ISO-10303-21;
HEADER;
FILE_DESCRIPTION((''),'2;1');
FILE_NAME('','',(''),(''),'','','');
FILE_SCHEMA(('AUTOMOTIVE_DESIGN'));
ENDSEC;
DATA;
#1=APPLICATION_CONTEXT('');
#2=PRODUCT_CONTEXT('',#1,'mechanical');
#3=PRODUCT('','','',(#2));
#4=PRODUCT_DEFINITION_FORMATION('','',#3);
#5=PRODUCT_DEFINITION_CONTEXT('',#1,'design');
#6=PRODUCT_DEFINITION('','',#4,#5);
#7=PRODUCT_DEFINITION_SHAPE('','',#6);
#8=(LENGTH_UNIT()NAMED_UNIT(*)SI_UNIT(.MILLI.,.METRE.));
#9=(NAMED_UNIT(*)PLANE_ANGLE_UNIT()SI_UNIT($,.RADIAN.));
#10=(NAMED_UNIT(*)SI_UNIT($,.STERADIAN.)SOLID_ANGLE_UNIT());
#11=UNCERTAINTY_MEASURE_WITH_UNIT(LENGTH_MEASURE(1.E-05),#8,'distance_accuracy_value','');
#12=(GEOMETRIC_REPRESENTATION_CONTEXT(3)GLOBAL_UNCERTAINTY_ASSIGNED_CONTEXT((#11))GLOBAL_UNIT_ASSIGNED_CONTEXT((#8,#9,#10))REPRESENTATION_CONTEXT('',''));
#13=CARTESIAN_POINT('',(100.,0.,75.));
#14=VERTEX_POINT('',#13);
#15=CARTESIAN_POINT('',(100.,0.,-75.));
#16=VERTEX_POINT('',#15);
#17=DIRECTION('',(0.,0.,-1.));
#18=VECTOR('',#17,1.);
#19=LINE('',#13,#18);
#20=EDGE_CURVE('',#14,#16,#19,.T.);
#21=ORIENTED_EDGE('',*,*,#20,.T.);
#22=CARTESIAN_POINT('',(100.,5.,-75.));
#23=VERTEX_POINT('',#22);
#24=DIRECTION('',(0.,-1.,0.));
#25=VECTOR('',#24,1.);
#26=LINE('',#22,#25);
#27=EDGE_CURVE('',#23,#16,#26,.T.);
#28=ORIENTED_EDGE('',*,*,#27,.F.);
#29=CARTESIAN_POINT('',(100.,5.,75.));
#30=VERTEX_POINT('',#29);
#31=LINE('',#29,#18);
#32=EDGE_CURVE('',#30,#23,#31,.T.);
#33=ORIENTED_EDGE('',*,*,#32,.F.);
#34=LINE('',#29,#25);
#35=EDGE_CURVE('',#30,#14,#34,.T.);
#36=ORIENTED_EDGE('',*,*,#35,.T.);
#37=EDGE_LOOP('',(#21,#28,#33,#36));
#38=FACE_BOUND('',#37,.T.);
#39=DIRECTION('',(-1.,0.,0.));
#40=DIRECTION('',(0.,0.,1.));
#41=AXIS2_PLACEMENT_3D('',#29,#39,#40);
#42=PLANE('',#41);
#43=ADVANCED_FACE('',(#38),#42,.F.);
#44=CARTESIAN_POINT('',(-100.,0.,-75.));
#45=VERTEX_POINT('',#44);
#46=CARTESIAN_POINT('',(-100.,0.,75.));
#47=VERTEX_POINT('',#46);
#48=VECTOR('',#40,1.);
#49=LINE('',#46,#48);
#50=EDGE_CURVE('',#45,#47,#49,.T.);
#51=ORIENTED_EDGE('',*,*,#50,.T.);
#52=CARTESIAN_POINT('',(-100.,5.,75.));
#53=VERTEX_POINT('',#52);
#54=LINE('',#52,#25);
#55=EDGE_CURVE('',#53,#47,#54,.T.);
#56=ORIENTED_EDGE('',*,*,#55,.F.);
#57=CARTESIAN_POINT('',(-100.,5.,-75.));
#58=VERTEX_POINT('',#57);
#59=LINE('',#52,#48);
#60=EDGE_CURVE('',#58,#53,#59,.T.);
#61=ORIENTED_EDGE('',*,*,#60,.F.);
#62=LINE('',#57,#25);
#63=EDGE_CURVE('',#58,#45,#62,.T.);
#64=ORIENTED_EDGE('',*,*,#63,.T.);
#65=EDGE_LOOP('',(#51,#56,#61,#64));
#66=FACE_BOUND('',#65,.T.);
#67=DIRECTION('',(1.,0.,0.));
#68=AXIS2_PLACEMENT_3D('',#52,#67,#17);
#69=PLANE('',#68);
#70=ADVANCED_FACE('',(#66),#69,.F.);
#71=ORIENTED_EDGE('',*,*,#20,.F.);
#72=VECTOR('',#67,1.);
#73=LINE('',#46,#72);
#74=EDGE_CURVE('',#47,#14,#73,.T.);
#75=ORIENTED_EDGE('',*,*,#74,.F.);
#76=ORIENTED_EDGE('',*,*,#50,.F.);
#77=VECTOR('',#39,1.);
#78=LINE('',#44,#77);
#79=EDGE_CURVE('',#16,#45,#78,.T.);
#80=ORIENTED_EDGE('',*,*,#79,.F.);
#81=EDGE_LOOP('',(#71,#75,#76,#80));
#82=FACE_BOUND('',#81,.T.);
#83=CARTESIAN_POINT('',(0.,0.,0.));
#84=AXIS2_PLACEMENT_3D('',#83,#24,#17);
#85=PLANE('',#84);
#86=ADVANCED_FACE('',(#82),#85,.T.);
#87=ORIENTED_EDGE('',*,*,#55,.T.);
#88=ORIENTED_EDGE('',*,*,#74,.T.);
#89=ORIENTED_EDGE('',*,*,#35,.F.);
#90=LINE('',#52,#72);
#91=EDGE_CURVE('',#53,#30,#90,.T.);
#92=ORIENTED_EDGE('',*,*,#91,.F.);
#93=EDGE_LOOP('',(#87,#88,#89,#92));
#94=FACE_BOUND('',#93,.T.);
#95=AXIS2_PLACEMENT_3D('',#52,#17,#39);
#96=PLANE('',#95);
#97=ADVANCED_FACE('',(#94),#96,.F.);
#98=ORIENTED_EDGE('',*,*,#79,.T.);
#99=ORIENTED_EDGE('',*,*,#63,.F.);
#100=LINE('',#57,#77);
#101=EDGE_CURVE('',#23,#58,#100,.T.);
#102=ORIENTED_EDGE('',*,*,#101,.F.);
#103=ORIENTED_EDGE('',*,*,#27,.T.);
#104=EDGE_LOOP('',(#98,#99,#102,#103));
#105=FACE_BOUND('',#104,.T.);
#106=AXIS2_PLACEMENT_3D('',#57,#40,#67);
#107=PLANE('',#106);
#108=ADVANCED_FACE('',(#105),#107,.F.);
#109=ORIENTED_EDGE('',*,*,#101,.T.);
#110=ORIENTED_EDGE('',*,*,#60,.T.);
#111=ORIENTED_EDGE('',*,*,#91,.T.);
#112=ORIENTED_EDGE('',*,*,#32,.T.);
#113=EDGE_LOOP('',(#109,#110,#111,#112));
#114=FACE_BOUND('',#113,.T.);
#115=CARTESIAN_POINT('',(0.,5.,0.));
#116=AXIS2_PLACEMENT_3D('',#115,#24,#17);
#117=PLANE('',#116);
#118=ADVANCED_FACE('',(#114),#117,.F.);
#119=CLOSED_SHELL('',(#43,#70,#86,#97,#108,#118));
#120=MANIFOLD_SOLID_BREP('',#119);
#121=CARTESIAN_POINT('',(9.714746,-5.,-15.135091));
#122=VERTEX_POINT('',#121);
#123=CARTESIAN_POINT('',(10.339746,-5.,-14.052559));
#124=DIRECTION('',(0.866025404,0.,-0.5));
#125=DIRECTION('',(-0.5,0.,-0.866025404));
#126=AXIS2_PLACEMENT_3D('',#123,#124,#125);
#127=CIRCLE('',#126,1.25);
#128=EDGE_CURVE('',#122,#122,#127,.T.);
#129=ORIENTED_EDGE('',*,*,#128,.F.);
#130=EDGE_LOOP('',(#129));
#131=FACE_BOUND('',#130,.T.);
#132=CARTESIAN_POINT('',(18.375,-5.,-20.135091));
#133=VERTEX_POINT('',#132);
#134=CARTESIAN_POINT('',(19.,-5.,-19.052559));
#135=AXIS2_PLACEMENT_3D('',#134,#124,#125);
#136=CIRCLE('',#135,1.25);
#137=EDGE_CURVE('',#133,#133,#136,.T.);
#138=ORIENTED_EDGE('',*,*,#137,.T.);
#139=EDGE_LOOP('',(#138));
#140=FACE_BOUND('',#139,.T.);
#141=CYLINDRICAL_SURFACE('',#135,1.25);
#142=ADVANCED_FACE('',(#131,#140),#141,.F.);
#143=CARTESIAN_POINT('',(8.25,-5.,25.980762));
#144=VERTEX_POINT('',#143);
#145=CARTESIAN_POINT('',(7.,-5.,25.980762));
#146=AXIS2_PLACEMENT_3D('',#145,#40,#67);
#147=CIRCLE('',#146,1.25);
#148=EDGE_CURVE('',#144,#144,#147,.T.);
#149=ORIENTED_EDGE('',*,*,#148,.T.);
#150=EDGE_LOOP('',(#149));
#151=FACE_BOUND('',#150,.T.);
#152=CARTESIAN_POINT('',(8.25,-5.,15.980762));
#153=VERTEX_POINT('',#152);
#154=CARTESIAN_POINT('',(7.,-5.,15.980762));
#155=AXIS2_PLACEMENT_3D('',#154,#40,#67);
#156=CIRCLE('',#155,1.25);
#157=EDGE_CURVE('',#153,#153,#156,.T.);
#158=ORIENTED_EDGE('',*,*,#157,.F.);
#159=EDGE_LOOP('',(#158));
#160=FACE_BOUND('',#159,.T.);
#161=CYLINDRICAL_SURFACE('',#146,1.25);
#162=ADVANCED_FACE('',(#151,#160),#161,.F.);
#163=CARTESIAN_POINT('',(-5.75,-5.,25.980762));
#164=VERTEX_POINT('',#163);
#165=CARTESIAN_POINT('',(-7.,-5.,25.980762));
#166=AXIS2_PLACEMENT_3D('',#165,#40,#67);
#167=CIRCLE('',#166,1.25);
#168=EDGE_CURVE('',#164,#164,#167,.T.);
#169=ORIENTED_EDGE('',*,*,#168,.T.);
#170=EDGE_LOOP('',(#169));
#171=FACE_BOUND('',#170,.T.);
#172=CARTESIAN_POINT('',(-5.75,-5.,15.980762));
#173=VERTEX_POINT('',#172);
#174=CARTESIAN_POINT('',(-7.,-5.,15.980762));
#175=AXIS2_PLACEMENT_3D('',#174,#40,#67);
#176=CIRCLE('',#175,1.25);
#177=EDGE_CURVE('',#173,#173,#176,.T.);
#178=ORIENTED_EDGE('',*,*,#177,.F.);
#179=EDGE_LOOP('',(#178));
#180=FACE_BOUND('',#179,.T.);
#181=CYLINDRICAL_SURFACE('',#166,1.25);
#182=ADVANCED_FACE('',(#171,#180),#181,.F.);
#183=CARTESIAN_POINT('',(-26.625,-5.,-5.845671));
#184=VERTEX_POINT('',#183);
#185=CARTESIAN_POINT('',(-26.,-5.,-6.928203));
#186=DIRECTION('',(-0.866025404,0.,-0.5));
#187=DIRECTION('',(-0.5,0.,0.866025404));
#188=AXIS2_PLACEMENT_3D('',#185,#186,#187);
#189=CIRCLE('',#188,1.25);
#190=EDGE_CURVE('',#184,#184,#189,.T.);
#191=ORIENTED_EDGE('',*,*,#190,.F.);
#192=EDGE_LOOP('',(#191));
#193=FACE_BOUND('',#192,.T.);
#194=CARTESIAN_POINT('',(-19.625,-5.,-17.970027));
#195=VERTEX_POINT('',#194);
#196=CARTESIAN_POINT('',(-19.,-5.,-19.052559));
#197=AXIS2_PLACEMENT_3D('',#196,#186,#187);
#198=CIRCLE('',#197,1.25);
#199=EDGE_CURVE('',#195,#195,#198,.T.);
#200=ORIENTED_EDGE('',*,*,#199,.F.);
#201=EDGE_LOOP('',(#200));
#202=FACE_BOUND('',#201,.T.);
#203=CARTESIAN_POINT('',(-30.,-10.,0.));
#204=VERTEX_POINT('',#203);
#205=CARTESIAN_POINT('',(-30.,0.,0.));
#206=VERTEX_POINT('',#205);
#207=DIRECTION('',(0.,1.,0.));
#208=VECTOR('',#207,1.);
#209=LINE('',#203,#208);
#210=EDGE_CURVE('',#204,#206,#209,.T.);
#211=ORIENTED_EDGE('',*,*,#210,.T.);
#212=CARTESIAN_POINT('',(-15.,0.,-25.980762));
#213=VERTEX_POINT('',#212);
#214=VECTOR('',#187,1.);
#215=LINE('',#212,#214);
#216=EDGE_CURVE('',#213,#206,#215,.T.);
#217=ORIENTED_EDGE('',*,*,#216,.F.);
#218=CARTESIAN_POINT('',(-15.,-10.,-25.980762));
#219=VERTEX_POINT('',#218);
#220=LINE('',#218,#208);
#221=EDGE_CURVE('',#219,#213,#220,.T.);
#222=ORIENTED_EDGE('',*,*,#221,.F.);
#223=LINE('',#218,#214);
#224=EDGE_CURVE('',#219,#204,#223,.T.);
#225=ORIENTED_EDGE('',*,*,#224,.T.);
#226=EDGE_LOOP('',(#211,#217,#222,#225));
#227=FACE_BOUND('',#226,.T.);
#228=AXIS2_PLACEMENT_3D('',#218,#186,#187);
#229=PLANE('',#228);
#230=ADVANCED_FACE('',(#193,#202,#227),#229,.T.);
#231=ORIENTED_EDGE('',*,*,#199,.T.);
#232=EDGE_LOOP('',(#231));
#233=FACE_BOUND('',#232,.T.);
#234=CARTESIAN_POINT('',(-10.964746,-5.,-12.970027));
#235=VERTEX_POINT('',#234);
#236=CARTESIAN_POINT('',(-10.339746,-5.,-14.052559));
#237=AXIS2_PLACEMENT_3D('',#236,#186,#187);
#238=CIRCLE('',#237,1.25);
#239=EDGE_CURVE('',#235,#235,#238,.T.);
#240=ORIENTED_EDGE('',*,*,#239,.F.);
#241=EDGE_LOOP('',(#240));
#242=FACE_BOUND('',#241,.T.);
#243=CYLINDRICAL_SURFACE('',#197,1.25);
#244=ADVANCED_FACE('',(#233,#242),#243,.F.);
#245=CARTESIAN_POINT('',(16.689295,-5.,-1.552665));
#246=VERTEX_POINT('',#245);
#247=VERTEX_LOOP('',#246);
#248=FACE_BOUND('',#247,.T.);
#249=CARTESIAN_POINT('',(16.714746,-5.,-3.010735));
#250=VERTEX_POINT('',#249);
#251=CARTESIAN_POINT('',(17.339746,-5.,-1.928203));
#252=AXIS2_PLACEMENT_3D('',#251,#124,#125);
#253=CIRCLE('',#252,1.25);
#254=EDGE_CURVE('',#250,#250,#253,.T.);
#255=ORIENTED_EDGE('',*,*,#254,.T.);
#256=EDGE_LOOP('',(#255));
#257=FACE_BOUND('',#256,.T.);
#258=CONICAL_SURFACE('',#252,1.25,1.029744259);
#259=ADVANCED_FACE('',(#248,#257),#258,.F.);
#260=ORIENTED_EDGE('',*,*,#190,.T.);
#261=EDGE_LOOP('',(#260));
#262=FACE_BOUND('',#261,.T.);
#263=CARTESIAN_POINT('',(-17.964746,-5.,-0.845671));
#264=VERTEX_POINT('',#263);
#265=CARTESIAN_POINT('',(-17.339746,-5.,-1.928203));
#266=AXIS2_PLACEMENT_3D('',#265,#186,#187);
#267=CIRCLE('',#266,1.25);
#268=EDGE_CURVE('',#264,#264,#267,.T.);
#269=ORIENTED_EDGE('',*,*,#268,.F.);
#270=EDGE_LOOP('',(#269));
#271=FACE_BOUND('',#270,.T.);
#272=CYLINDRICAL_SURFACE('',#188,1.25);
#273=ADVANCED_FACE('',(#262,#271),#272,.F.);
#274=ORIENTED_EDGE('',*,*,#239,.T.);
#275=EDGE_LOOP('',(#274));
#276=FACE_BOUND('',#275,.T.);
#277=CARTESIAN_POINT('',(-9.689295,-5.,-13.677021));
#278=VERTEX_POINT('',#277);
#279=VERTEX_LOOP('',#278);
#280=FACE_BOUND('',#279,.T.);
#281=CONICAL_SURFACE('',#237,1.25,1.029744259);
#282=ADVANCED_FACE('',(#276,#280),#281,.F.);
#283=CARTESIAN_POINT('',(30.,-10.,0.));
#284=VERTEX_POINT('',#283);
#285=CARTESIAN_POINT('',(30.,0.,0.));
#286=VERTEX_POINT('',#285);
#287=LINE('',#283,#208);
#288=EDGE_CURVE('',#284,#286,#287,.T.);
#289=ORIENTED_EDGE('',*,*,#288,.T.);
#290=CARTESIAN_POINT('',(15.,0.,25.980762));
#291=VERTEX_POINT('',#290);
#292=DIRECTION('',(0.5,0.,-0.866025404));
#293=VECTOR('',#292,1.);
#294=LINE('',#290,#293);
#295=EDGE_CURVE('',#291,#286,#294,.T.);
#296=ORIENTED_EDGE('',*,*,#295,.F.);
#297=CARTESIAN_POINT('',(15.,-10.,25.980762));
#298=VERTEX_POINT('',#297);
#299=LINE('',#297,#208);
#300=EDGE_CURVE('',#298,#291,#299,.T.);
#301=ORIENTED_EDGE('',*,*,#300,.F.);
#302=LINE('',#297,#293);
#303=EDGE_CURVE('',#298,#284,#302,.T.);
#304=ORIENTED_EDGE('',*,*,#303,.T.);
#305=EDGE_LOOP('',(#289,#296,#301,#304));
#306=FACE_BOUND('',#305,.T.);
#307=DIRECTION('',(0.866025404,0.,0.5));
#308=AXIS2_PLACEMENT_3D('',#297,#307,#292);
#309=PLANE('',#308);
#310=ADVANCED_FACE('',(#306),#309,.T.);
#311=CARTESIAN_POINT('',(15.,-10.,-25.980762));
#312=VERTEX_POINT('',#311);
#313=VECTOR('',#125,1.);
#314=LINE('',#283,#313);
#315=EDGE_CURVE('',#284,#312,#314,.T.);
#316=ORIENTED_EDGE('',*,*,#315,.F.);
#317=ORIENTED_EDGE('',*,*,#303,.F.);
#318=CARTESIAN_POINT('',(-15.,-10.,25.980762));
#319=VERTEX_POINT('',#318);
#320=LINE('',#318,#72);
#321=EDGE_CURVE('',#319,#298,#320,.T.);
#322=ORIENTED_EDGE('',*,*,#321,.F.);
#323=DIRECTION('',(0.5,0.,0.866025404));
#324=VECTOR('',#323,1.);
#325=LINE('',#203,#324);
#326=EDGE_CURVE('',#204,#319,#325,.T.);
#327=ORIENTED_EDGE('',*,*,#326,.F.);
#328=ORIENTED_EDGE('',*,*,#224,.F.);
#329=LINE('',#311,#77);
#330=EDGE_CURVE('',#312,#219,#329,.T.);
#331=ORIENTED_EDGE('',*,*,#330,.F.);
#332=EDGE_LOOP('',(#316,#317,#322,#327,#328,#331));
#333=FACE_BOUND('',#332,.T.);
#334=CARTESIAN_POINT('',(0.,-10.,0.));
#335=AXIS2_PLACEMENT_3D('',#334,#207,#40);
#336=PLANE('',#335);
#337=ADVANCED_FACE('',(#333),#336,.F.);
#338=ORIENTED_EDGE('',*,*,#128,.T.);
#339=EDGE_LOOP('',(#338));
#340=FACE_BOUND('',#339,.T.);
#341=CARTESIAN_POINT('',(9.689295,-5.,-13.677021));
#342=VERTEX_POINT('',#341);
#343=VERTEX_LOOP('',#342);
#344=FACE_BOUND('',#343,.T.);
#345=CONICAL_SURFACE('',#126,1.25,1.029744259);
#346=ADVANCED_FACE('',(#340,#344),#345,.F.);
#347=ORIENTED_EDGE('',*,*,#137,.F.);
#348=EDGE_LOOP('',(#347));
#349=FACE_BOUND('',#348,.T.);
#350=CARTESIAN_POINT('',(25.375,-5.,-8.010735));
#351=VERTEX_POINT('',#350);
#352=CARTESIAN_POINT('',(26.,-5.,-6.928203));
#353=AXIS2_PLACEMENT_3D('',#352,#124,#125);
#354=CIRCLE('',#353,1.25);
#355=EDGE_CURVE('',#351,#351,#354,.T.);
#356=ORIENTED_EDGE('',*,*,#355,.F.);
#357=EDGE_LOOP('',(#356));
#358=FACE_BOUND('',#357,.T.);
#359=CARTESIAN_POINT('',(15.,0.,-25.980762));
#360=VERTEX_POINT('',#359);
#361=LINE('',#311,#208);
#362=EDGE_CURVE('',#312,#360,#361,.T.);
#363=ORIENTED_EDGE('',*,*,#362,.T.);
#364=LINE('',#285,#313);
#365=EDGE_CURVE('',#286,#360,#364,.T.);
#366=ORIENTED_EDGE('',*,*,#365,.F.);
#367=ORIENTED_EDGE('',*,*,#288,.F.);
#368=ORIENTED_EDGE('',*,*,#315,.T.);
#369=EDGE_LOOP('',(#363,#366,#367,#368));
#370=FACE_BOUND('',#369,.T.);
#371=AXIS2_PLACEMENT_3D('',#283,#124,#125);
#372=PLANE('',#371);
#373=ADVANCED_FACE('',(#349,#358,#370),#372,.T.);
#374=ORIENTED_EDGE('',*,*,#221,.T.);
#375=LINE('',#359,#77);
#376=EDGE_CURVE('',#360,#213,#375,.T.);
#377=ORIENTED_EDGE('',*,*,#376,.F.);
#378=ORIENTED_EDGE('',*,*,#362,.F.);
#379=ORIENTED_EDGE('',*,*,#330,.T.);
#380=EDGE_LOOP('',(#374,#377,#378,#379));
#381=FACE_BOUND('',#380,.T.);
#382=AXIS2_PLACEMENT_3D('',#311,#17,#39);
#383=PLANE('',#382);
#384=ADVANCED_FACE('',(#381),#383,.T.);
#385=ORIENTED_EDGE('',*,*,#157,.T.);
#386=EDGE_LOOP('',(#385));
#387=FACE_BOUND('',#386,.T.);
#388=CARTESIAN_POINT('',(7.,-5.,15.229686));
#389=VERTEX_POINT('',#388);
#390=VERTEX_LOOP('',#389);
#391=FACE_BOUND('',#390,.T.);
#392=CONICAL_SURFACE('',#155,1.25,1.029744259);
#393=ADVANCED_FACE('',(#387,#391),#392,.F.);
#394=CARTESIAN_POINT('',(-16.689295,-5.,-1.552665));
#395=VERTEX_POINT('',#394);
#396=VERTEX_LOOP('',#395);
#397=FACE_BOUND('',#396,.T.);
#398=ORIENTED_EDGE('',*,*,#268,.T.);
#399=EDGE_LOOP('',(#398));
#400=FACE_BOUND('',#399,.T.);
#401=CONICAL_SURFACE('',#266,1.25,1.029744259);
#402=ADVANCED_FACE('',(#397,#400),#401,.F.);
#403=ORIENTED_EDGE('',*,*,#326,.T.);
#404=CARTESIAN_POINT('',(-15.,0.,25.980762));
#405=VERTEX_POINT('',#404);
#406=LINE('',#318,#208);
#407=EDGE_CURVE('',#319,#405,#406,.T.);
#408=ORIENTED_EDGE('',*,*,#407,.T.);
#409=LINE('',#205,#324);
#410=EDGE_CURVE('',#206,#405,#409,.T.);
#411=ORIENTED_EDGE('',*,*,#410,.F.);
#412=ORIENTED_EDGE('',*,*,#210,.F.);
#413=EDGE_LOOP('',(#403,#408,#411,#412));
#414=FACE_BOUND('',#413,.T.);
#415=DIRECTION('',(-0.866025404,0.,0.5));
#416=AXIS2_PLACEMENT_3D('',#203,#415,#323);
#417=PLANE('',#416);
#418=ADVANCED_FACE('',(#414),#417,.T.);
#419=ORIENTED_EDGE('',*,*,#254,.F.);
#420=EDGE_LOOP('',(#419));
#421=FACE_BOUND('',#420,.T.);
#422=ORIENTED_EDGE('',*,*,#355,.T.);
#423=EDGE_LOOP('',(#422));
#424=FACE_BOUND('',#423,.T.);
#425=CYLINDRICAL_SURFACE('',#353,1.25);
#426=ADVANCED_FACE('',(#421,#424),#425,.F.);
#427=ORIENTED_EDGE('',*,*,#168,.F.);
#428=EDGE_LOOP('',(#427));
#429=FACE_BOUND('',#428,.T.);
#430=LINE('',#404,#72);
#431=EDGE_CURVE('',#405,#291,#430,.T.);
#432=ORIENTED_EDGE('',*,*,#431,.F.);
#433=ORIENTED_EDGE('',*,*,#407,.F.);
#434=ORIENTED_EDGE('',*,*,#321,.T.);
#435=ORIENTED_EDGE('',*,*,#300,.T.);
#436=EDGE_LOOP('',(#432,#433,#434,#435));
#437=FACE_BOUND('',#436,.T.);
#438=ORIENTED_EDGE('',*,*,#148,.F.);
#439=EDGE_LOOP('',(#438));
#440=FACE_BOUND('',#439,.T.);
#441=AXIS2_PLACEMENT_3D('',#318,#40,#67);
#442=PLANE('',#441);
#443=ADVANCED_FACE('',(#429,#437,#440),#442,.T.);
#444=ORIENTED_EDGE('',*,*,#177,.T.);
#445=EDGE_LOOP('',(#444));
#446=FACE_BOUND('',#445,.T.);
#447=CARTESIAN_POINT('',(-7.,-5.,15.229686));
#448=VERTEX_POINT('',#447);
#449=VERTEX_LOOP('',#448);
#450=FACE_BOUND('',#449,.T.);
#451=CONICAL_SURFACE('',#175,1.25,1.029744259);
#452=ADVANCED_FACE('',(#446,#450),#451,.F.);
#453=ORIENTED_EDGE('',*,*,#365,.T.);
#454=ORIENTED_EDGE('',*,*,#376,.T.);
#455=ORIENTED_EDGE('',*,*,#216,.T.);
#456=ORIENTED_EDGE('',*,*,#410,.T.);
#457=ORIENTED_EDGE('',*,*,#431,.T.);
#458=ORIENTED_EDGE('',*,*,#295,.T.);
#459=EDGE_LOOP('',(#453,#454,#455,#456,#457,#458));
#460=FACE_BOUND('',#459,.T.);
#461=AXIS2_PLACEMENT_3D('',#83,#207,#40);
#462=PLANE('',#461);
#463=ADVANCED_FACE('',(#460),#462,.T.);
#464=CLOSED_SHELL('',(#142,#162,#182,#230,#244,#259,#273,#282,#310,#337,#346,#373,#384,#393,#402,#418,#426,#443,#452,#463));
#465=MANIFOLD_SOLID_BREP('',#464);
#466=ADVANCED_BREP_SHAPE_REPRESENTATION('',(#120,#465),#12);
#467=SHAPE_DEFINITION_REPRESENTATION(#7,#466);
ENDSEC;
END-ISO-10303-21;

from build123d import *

# Parameters (mm, degrees)
SKETCH1_W                      = 200
SKETCH1_H                      = 150
BOSS_EXTRUDE1_DEPTH            = 5
BOSS_EXTRUDE2_DEPTH            = 10
M3X0_5_TAPPED_HOLE1_AT_2_COUNT = 2
M3X0_5_TAPPED_HOLE1_AT_2_PITCH = 14
CIRPATTERN1_COUNT              = 3


with BuildPart() as part:
    # Sketch1 → Boss-Extrude1 (new body)
    with BuildSketch(Plane(origin=(0, 0, 0), x_dir=(1, 0, 0), z_dir=(0, 1, 0))):
        Rectangle(SKETCH1_W, SKETCH1_H)
    extrude(amount=BOSS_EXTRUDE1_DEPTH)


with BuildPart() as body_2:
    # Sketch2 → Boss-Extrude2 (new body)
    with BuildSketch(Plane(origin=(0, 0, 0), x_dir=(1, 0, 0), z_dir=(0, 1, 0))):
        Polygon((-30, 0), (-15, -25.980762114), (15, -25.980762114), (30, 0), (15, 25.980762114), (-15, 25.980762114), align=None)
    extrude(amount=-BOSS_EXTRUDE2_DEPTH)

    # Sketch4 → M3x0.5 Tapped Hole1 (revolve, cut)
    with BuildSketch(Plane(origin=(-7, -5, 25.980762114), x_dir=(0, -1, 0), z_dir=(1, 0, 0))):
        Polygon((0, 0), (0, 10.751075774), (1.25, 10), (1.25, 0), align=None)
    m3x0_5_tapped_hole1 = revolve(axis=Axis((-7, -5, 32.330762114), (0, 0, -1)), mode=Mode.SUBTRACT)

    # M3x0.5 Tapped Hole1 at 2: M3x0.5 Tapped Hole1 ×2
    with Locations(*[(i * M3X0_5_TAPPED_HOLE1_AT_2_PITCH, 0, 0) for i in range(1, M3X0_5_TAPPED_HOLE1_AT_2_COUNT)]):
        add(m3x0_5_tapped_hole1, mode=Mode.SUBTRACT)

    # CirPattern1: M3x0.5 Tapped Hole1 ×3 about axis
    cirpattern1_axis = Axis((0, 0, 0), (0, 1, 0))
    for i in range(1, CIRPATTERN1_COUNT):
        add(m3x0_5_tapped_hole1.rotate(cirpattern1_axis, i * 360 / CIRPATTERN1_COUNT), mode=Mode.SUBTRACT)

    # CirPattern1 copy 1 sketch → CirPattern1 copy 1 (revolve, cut)
    with BuildSketch(Plane(origin=(19, -5, -19.052558883), x_dir=(0, -1, 0), z_dir=(-0.4999999999999998, 0, -0.8660254037844387))):
        Polygon((0, 0), (0, 10.751075774), (1.25, 10), (1.25, 0), align=None)
    revolve(axis=Axis((24.499261314, -5, -22.227558883), (-0.8660254037844387, 0, 0.4999999999999998)), mode=Mode.SUBTRACT)

    # CirPattern1 copy 2 sketch → CirPattern1 copy 2 (revolve, cut)
    with BuildSketch(Plane(origin=(-26, -5, -6.92820323), x_dir=(0, -1, 0), z_dir=(-0.5000000000000004, 0, 0.8660254037844384))):
        Polygon((0, 0), (0, 10.751075774), (1.25, 10), (1.25, 0), align=None)
    revolve(axis=Axis((-31.499261314, -5, -10.10320323), (0.8660254037844384, 0, 0.5000000000000004)), mode=Mode.SUBTRACT)


solid = Compound([part.part, body_2.part])
